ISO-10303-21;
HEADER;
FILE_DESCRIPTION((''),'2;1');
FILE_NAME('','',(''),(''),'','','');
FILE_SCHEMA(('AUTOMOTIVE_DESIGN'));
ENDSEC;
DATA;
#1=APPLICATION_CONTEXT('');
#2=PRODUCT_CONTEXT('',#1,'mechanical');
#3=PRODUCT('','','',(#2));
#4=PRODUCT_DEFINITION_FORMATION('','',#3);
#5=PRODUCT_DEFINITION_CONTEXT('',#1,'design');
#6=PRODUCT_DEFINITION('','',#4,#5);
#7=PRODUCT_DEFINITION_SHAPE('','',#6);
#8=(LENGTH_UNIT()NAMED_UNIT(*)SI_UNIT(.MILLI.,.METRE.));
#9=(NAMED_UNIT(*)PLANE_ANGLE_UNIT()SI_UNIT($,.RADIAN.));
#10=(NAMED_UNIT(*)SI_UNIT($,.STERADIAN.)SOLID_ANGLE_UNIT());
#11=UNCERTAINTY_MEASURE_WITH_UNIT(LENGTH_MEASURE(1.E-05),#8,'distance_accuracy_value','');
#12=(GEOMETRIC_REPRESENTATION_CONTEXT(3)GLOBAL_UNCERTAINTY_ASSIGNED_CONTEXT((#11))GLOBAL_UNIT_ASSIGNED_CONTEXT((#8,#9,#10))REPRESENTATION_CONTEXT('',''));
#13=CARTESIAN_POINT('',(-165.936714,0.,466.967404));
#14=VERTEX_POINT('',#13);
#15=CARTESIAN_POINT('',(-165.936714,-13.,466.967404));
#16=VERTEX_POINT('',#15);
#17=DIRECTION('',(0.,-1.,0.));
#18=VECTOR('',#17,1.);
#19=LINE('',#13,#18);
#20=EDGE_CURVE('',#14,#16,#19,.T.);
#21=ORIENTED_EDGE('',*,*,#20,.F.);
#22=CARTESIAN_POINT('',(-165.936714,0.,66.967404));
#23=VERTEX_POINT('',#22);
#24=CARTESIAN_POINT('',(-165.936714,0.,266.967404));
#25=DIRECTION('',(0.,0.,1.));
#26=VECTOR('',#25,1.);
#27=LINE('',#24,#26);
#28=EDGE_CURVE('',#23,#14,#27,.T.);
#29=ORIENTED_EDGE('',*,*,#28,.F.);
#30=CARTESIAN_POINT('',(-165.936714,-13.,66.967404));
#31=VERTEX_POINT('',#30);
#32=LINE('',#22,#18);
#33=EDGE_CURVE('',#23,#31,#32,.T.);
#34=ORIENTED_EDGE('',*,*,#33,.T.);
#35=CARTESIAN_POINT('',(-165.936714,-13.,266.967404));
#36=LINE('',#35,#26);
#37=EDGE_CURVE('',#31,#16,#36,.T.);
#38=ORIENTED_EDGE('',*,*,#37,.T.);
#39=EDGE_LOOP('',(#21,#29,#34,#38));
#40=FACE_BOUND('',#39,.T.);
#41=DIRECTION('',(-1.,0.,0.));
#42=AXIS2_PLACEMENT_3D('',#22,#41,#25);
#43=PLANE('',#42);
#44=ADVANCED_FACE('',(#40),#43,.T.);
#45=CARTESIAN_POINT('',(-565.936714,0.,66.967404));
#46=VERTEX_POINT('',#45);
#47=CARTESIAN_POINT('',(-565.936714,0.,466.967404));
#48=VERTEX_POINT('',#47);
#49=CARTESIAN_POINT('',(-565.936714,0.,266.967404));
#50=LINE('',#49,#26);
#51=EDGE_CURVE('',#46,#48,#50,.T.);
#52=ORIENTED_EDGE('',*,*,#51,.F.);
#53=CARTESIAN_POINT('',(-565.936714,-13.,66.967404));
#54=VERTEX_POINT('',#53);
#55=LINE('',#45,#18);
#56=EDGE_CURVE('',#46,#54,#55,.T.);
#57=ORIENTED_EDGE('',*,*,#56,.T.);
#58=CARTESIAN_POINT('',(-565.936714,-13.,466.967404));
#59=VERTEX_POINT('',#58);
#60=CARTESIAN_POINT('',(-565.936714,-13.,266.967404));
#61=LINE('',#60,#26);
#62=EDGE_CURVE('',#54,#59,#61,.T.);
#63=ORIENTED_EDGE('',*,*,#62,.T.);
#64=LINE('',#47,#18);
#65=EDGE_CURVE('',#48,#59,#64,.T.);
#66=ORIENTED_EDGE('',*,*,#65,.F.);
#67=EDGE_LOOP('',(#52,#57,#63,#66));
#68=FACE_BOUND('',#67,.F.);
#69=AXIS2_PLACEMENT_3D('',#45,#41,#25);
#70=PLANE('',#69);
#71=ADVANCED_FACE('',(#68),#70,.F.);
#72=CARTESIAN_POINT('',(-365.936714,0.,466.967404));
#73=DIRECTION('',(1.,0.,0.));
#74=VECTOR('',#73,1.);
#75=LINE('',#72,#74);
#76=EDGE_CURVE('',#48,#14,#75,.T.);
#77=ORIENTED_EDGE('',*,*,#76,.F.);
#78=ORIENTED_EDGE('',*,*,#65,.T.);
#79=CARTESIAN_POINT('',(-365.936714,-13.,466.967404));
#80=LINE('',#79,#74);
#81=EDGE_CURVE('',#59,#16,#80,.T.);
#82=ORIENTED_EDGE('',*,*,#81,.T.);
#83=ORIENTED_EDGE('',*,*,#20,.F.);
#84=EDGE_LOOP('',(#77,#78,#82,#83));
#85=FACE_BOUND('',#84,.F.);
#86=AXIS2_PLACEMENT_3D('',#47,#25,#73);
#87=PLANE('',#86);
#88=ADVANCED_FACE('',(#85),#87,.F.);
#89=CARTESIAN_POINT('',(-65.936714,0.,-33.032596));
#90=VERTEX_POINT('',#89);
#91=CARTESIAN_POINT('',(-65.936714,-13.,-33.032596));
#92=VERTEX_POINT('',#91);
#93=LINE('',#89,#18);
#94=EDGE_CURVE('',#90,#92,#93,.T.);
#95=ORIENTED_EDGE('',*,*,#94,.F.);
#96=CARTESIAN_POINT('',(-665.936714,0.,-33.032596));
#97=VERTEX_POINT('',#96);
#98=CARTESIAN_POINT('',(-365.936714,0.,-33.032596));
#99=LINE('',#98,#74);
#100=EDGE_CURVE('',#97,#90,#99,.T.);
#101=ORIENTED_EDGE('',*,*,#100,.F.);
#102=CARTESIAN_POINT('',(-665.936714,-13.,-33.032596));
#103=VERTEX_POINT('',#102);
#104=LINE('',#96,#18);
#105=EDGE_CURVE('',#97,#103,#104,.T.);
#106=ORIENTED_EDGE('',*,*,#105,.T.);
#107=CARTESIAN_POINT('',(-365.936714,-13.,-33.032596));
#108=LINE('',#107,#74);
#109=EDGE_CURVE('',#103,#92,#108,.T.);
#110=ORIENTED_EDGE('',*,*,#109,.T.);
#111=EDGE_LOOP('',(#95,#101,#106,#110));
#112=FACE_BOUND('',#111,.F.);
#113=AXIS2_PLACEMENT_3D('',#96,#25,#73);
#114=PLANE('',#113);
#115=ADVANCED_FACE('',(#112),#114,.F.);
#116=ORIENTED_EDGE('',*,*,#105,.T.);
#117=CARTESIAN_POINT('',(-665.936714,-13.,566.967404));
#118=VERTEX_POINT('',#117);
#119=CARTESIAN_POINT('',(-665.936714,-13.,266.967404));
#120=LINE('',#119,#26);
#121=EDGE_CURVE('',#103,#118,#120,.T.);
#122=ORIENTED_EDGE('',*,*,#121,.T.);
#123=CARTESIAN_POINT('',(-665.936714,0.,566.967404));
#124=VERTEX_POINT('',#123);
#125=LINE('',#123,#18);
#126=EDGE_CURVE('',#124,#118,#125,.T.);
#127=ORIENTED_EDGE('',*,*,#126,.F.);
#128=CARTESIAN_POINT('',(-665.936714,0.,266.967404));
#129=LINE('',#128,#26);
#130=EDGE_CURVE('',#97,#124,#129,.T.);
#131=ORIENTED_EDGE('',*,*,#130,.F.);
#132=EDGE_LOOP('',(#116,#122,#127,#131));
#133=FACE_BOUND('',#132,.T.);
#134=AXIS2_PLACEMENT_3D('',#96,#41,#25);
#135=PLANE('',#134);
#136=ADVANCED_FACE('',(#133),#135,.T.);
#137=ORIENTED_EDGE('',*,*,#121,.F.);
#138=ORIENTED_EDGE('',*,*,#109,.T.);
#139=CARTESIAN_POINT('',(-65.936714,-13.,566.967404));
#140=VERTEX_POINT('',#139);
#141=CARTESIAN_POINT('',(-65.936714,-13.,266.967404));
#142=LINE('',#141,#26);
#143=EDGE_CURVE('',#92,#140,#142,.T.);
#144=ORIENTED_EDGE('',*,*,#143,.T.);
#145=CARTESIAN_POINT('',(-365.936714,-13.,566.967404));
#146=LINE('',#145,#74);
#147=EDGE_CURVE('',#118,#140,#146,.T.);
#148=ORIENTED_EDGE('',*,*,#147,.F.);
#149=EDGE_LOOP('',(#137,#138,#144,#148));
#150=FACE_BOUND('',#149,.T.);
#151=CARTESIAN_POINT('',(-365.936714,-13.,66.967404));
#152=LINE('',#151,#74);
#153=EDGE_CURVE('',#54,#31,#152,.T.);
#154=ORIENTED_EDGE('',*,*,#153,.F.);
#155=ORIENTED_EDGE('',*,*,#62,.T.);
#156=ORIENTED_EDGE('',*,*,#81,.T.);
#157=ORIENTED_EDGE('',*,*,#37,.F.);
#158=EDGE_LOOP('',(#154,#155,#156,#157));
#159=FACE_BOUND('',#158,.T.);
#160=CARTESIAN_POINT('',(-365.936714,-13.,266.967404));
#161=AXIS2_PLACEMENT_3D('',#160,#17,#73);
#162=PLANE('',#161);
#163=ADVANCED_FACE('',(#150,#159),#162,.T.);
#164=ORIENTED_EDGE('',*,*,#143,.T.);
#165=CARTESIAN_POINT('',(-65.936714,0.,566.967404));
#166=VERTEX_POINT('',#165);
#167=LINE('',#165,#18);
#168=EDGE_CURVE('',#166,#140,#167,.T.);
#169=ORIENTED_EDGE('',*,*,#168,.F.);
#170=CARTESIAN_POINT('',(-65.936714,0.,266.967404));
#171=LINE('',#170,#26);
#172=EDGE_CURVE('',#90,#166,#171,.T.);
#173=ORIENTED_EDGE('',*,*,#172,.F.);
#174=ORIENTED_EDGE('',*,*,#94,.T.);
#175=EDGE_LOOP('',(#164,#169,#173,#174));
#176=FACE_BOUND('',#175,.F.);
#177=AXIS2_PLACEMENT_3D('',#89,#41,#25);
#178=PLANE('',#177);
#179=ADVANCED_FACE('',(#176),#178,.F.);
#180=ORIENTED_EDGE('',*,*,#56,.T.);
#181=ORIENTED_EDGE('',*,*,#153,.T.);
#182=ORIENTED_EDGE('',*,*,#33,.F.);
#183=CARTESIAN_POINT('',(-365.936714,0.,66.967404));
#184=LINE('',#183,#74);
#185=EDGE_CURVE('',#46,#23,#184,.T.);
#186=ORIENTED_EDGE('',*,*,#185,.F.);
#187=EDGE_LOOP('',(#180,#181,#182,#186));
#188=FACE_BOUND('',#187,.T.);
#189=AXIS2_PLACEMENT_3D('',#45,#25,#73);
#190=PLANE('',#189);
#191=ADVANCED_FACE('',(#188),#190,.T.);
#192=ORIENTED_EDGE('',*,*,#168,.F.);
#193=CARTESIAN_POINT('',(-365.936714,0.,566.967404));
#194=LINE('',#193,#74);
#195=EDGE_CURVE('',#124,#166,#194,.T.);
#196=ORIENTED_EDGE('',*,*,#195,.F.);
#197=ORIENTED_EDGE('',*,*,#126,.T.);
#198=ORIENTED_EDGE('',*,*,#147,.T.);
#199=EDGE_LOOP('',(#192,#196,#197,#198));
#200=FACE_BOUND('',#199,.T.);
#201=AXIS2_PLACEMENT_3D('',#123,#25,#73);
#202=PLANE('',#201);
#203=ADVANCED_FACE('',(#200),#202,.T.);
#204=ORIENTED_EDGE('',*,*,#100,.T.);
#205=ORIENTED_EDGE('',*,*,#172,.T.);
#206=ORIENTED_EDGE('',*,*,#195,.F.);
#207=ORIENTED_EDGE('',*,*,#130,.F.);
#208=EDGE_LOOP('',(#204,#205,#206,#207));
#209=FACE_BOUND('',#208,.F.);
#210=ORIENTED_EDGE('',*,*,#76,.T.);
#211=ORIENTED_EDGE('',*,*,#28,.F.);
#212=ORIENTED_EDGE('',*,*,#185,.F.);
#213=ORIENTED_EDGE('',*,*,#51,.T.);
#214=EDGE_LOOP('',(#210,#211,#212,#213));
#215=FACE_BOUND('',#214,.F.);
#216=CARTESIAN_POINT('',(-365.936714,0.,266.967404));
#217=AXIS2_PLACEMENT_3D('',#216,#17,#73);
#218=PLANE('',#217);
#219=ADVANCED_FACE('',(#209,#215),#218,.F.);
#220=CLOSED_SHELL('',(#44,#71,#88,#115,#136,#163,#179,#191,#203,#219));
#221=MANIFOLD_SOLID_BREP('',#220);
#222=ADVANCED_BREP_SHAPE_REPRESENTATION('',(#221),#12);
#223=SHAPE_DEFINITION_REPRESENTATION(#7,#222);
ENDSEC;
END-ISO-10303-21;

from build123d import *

# Parameters (mm, degrees)
F1_W     = 600
F1_H     = 600
F1_W_2   = 400
F1_H_2   = 400
F2_DEPTH = 13


with BuildPart() as f2:
    # F1 (on face) → F2 (new body)
    with BuildSketch(Plane.XZ):
        with Locations((-365.936714, 266.967404)):
            Rectangle(F1_W, F1_H)
        with Locations((-365.936714, 266.967404)):
            Rectangle(F1_W_2, F1_H_2, mode=Mode.SUBTRACT)
    extrude(amount=F2_DEPTH)


solid = f2.part
